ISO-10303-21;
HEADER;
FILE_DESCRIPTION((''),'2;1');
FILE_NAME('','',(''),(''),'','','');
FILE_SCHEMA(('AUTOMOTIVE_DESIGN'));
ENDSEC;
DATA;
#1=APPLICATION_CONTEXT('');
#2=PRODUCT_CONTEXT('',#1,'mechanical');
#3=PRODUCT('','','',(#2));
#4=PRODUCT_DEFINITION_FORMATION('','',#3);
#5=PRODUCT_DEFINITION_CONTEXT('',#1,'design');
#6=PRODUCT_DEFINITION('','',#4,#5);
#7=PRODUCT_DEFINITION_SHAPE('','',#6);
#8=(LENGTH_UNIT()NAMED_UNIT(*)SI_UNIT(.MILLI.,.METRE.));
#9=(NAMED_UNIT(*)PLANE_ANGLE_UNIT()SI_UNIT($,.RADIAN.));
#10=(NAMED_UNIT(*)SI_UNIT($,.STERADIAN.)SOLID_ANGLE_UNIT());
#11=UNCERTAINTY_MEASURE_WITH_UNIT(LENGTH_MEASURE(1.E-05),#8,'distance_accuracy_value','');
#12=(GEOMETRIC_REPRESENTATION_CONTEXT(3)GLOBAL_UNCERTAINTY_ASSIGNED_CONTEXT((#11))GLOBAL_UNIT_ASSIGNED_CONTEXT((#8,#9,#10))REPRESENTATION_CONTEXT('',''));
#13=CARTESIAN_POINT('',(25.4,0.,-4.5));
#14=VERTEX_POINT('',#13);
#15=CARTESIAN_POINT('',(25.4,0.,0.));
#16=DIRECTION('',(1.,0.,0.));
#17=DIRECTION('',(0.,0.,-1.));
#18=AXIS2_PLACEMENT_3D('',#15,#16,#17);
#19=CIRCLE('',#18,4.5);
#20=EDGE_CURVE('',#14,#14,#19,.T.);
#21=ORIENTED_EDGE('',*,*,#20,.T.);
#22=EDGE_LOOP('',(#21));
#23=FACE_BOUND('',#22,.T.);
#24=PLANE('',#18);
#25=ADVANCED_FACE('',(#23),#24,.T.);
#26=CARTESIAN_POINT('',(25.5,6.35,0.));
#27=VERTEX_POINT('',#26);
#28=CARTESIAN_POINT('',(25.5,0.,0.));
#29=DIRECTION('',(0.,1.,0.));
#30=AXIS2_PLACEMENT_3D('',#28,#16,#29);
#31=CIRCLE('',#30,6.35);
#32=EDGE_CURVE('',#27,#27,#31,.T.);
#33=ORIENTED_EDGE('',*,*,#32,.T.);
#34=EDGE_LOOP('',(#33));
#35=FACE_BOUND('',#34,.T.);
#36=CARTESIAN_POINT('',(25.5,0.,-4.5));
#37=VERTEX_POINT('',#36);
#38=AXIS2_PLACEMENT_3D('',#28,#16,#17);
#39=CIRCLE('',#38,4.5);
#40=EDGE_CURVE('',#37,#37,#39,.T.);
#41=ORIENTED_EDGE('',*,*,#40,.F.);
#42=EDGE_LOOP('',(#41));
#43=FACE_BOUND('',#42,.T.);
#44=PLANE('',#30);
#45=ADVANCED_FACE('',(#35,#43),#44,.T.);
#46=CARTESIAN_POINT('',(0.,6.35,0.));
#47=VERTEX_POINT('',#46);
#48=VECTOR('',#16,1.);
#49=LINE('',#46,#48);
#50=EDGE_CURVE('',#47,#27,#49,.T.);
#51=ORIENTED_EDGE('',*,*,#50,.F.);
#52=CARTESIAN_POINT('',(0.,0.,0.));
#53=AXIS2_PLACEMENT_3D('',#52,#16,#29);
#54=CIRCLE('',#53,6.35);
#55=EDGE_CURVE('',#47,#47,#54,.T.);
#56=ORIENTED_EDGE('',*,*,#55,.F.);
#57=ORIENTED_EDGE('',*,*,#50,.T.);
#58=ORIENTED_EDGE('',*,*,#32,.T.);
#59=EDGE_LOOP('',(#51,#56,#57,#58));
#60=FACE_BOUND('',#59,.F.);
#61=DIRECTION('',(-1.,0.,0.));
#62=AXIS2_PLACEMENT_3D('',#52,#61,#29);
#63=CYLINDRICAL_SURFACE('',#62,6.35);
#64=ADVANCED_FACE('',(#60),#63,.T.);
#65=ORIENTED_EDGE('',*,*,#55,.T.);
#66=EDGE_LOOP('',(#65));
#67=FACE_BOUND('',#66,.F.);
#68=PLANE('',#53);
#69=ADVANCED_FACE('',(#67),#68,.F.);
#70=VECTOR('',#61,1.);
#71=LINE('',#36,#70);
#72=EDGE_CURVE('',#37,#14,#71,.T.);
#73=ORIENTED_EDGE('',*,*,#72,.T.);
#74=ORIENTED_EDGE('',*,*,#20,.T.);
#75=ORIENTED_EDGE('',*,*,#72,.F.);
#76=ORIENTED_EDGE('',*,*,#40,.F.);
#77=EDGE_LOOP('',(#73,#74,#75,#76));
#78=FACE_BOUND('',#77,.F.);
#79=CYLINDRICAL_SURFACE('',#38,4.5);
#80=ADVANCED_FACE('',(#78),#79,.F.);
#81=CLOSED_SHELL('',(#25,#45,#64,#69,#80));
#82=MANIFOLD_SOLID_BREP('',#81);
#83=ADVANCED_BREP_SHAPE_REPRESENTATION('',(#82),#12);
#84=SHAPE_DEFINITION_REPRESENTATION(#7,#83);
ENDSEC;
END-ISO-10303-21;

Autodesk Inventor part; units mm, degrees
ref_plane "YZ Plane" through (0, 0, 0) normal (1, 0, 0) x (0, 1, 0)
ref_plane "XZ Plane" through (0, 0, 0) normal (0, 1, 0) x (-1, 0, 0)
sketch "Sketch1" plane through (0, 0, 0) normal (1, 0, 0) x (0, 1, 0)
  circle A0 centre (0, 0) radius 6.35
  dimension "d0" = 6.35
extrude "Extrusion1" add sketch "Sketch1" along normal blind 25.5
ref_plane "Work Plane1" through (0, 0, 6.35) normal (0, 0, 1) x (1, 0, 0)
sketch "Sketch2" plane through (0, 0, 6.35) normal (0, 0, 1) x (1, 0, 0)
  line L0 (0.0077, -6.4259) -> (0.0077, 40.6963) construction
  line L1 (0.0077, 40.6963) -> (25.616, 40.6963) construction
  line L2 (25.616, 40.6963) -> (25.616, -6.4259) construction
  line L3 (25.616, -6.4259) -> (0.0077, -6.4259) construction
  point P0 (0, 0)
decal "Decal1"
sketch "Sketch3" plane through (25.5, 0, 0) normal (1, 0, 0) x (0, 0, -1)
  circle A0 centre (0, 0) radius 4.5
  dimension "d11" = 4.5
extrude "Extrusion2" cut sketch "Sketch3" against normal blind 0.1
properties part number "capacitor"
